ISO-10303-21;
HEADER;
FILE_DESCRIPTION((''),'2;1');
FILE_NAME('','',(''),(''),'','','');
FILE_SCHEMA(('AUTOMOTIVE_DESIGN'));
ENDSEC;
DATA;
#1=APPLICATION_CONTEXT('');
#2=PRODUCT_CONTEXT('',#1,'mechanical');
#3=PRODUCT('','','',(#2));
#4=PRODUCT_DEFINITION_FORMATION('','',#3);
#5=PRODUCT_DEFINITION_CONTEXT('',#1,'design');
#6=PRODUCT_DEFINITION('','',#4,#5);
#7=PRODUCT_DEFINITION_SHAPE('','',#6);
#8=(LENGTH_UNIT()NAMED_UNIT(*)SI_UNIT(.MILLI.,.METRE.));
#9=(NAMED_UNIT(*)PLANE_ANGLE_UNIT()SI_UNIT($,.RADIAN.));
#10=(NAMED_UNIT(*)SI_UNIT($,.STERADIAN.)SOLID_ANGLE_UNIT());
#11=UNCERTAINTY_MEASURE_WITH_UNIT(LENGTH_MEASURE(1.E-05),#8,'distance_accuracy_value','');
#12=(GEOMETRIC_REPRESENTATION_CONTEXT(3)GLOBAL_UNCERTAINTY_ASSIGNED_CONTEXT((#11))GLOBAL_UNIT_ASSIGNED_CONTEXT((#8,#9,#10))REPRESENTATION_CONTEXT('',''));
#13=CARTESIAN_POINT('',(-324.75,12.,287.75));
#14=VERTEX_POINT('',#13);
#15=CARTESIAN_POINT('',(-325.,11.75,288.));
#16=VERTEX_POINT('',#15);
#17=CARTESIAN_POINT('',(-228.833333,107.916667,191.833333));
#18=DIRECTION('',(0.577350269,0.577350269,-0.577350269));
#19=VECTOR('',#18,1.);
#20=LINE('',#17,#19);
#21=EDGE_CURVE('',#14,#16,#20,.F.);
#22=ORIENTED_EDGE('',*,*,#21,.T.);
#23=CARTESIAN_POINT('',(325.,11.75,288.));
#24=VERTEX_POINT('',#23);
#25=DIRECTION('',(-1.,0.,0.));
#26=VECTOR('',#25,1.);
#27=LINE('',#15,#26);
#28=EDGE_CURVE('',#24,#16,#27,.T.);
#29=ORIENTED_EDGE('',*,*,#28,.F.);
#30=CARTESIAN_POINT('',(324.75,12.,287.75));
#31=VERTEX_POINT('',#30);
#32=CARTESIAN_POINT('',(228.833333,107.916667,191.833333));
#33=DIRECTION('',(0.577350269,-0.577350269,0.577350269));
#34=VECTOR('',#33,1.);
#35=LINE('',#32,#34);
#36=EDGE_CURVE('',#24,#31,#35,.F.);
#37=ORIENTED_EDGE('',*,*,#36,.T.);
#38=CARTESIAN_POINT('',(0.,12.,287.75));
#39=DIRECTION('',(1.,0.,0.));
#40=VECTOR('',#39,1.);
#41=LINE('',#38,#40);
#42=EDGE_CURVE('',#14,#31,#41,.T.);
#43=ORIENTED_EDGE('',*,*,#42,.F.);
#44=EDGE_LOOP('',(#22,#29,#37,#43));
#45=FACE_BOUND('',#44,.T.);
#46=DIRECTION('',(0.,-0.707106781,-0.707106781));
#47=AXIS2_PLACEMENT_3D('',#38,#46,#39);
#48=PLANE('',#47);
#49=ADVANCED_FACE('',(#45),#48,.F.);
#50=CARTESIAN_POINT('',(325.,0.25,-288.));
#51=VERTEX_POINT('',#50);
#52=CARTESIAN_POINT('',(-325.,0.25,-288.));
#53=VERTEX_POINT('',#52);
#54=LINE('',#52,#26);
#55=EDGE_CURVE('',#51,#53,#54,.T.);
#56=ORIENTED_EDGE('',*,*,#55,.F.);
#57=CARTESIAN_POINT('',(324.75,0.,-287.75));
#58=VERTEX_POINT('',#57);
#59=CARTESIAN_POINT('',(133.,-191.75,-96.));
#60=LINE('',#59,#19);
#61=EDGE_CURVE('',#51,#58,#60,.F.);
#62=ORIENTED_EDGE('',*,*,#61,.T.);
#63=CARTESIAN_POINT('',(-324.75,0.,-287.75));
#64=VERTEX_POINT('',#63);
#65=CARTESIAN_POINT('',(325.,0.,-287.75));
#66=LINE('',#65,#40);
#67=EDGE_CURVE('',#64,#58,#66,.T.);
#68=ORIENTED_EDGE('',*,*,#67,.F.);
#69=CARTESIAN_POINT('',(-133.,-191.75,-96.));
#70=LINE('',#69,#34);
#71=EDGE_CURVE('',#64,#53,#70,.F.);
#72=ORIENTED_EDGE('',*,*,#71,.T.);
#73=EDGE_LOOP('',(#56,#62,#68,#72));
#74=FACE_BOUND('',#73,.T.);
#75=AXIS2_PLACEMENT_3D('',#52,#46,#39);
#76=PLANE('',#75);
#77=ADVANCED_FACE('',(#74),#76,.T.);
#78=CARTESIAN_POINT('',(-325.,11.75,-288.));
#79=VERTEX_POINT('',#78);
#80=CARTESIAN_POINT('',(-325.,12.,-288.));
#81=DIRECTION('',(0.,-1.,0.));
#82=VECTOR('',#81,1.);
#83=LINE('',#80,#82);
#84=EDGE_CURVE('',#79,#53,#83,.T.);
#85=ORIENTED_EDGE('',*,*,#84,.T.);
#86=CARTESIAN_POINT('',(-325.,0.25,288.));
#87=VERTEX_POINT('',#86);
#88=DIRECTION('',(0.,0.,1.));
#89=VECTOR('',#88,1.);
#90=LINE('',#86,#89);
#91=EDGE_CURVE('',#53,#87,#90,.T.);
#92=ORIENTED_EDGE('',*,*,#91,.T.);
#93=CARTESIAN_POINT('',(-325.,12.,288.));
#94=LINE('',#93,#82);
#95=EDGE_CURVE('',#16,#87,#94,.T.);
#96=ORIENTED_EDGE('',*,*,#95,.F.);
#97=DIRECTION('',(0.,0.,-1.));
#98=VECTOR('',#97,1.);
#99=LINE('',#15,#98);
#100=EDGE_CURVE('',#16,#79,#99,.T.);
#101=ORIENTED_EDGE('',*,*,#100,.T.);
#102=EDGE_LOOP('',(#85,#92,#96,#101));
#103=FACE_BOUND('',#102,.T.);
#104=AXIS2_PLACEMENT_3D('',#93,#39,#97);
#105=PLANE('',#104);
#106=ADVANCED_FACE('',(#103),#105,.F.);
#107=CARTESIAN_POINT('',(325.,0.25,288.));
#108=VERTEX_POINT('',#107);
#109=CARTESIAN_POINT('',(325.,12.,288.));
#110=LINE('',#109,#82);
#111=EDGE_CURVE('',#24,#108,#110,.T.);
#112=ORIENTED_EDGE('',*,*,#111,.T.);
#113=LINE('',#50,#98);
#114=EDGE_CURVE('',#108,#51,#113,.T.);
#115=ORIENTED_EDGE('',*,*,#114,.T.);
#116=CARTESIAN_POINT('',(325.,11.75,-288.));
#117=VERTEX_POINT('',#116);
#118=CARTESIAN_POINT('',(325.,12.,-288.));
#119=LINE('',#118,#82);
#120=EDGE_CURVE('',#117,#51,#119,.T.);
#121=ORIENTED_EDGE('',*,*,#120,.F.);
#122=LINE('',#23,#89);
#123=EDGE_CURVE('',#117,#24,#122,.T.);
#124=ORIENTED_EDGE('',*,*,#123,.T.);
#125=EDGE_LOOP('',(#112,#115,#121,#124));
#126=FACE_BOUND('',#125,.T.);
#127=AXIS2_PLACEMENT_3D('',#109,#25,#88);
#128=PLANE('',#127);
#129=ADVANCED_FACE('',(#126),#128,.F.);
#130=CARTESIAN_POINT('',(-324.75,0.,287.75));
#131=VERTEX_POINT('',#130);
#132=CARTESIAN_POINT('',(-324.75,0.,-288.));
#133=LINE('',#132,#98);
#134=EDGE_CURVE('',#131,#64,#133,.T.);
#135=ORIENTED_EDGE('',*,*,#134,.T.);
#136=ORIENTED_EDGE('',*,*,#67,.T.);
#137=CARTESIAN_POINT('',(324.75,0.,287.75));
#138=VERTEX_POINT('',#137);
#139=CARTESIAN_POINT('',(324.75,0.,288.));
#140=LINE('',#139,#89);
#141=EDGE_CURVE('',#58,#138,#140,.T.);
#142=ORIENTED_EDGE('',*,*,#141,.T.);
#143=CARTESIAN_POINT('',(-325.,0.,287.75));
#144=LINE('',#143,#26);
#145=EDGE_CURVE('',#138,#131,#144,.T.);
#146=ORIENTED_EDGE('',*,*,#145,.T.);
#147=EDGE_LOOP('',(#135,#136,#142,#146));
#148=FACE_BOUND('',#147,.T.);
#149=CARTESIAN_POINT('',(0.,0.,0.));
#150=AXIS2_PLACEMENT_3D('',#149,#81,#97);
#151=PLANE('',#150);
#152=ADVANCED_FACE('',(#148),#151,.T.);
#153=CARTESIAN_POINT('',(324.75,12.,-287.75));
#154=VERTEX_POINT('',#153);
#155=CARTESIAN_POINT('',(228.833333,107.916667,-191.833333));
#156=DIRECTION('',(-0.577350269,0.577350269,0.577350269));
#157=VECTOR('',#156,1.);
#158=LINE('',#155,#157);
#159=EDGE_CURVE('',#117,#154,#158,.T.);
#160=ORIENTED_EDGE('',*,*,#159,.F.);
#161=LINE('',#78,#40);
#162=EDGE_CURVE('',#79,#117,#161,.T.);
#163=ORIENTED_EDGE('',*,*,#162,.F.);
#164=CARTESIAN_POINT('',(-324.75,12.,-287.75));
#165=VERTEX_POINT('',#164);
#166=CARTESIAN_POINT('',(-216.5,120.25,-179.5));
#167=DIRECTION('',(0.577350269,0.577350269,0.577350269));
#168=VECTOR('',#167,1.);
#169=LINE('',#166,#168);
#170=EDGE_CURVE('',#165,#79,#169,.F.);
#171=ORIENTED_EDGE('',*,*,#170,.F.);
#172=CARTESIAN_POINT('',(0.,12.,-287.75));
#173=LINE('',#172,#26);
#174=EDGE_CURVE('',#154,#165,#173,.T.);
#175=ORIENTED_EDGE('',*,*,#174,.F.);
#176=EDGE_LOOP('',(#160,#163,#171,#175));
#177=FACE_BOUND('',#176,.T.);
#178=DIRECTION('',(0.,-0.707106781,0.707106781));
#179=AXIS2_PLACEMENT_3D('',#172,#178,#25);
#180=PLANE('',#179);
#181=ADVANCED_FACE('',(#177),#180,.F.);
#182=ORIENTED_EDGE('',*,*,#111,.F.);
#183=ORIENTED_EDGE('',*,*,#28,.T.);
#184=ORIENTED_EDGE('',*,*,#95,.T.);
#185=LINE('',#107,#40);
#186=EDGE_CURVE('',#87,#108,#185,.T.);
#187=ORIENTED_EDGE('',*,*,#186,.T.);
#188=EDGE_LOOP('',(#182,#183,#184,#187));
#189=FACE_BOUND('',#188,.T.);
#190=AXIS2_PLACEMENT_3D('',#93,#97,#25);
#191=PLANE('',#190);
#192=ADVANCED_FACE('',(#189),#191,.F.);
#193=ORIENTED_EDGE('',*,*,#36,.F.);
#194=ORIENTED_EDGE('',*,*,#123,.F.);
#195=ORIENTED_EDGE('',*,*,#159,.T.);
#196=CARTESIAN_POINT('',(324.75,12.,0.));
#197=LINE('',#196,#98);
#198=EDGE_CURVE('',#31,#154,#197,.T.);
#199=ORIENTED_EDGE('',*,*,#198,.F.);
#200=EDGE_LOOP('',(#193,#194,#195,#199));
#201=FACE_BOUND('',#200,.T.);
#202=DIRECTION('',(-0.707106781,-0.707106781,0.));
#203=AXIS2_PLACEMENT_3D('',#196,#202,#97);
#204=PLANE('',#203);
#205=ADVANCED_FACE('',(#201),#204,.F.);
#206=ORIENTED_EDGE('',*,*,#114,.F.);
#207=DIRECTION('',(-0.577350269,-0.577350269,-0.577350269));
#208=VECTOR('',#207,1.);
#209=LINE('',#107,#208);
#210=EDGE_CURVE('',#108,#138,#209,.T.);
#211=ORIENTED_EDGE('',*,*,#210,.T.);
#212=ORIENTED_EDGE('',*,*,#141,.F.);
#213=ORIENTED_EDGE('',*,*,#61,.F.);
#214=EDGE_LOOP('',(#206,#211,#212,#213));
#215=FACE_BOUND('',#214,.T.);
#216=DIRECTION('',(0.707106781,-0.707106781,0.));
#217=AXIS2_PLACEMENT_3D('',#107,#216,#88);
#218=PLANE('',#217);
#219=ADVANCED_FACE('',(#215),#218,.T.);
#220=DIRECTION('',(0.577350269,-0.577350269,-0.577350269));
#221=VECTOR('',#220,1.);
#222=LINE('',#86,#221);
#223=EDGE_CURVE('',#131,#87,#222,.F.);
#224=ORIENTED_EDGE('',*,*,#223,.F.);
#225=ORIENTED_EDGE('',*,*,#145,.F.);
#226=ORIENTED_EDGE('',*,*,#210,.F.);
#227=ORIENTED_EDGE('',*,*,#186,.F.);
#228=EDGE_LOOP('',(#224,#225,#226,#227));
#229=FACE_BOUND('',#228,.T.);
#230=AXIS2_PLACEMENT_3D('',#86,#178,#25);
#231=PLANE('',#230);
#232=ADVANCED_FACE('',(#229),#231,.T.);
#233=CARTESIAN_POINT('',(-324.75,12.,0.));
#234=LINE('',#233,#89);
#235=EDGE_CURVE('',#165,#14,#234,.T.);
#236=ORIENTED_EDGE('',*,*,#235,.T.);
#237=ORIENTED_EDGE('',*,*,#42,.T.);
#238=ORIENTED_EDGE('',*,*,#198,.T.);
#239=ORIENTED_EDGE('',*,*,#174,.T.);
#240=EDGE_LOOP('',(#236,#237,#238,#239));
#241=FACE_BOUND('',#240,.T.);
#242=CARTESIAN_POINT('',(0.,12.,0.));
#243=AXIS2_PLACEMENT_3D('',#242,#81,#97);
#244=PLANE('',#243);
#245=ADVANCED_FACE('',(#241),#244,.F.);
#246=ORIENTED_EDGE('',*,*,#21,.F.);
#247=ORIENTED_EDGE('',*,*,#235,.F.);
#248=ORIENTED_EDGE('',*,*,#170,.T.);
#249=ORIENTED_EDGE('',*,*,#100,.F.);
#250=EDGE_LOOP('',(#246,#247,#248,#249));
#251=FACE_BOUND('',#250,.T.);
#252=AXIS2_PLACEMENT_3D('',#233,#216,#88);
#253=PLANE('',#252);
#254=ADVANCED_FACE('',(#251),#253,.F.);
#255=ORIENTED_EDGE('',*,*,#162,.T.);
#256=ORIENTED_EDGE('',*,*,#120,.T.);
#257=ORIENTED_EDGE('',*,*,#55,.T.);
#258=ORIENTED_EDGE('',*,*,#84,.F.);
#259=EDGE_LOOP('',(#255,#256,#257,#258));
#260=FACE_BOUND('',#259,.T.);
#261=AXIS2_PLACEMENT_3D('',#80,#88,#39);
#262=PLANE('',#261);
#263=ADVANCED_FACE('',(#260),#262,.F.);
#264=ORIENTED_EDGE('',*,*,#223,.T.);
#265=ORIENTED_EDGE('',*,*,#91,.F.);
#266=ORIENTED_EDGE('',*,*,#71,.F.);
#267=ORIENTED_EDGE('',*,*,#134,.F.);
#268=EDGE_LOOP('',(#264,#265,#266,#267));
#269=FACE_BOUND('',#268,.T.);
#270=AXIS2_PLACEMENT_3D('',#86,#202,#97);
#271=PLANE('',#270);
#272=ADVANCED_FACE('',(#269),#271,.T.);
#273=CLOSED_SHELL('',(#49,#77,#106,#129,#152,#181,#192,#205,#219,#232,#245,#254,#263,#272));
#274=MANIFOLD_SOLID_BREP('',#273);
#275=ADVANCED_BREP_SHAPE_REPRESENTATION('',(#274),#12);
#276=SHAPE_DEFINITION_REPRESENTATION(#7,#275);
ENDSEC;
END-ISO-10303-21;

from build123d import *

# Parameters (mm, degrees)
SKETCH1_W           = 650
SKETCH1_H           = 576
BOSS_EXTRUDE1_DEPTH = 12
CHAMFER1_SIZE       = 0.25


with BuildPart() as part:
    # Sketch1 → Boss-Extrude1 (new body)
    with BuildSketch(Plane(origin=(0, 0, 0), x_dir=(1, 0, 0), z_dir=(0, 1, 0))):
        Rectangle(SKETCH1_W, SKETCH1_H)
    extrude(amount=BOSS_EXTRUDE1_DEPTH)

    # Chamfer1
    chamfer1_edges = [part.edges().sort_by_distance(p)[0] for p in [
        (-325, 12, 0),
        (0, 12, 288),
        (325, 12, 0),
        (0, 0, 288),
        (-325, 0, 0),
        (0, 0, -288),
        (325, 0, 0),
        (0, 12, -288),
    ]]
    chamfer(chamfer1_edges, length=CHAMFER1_SIZE)


solid = part.part
